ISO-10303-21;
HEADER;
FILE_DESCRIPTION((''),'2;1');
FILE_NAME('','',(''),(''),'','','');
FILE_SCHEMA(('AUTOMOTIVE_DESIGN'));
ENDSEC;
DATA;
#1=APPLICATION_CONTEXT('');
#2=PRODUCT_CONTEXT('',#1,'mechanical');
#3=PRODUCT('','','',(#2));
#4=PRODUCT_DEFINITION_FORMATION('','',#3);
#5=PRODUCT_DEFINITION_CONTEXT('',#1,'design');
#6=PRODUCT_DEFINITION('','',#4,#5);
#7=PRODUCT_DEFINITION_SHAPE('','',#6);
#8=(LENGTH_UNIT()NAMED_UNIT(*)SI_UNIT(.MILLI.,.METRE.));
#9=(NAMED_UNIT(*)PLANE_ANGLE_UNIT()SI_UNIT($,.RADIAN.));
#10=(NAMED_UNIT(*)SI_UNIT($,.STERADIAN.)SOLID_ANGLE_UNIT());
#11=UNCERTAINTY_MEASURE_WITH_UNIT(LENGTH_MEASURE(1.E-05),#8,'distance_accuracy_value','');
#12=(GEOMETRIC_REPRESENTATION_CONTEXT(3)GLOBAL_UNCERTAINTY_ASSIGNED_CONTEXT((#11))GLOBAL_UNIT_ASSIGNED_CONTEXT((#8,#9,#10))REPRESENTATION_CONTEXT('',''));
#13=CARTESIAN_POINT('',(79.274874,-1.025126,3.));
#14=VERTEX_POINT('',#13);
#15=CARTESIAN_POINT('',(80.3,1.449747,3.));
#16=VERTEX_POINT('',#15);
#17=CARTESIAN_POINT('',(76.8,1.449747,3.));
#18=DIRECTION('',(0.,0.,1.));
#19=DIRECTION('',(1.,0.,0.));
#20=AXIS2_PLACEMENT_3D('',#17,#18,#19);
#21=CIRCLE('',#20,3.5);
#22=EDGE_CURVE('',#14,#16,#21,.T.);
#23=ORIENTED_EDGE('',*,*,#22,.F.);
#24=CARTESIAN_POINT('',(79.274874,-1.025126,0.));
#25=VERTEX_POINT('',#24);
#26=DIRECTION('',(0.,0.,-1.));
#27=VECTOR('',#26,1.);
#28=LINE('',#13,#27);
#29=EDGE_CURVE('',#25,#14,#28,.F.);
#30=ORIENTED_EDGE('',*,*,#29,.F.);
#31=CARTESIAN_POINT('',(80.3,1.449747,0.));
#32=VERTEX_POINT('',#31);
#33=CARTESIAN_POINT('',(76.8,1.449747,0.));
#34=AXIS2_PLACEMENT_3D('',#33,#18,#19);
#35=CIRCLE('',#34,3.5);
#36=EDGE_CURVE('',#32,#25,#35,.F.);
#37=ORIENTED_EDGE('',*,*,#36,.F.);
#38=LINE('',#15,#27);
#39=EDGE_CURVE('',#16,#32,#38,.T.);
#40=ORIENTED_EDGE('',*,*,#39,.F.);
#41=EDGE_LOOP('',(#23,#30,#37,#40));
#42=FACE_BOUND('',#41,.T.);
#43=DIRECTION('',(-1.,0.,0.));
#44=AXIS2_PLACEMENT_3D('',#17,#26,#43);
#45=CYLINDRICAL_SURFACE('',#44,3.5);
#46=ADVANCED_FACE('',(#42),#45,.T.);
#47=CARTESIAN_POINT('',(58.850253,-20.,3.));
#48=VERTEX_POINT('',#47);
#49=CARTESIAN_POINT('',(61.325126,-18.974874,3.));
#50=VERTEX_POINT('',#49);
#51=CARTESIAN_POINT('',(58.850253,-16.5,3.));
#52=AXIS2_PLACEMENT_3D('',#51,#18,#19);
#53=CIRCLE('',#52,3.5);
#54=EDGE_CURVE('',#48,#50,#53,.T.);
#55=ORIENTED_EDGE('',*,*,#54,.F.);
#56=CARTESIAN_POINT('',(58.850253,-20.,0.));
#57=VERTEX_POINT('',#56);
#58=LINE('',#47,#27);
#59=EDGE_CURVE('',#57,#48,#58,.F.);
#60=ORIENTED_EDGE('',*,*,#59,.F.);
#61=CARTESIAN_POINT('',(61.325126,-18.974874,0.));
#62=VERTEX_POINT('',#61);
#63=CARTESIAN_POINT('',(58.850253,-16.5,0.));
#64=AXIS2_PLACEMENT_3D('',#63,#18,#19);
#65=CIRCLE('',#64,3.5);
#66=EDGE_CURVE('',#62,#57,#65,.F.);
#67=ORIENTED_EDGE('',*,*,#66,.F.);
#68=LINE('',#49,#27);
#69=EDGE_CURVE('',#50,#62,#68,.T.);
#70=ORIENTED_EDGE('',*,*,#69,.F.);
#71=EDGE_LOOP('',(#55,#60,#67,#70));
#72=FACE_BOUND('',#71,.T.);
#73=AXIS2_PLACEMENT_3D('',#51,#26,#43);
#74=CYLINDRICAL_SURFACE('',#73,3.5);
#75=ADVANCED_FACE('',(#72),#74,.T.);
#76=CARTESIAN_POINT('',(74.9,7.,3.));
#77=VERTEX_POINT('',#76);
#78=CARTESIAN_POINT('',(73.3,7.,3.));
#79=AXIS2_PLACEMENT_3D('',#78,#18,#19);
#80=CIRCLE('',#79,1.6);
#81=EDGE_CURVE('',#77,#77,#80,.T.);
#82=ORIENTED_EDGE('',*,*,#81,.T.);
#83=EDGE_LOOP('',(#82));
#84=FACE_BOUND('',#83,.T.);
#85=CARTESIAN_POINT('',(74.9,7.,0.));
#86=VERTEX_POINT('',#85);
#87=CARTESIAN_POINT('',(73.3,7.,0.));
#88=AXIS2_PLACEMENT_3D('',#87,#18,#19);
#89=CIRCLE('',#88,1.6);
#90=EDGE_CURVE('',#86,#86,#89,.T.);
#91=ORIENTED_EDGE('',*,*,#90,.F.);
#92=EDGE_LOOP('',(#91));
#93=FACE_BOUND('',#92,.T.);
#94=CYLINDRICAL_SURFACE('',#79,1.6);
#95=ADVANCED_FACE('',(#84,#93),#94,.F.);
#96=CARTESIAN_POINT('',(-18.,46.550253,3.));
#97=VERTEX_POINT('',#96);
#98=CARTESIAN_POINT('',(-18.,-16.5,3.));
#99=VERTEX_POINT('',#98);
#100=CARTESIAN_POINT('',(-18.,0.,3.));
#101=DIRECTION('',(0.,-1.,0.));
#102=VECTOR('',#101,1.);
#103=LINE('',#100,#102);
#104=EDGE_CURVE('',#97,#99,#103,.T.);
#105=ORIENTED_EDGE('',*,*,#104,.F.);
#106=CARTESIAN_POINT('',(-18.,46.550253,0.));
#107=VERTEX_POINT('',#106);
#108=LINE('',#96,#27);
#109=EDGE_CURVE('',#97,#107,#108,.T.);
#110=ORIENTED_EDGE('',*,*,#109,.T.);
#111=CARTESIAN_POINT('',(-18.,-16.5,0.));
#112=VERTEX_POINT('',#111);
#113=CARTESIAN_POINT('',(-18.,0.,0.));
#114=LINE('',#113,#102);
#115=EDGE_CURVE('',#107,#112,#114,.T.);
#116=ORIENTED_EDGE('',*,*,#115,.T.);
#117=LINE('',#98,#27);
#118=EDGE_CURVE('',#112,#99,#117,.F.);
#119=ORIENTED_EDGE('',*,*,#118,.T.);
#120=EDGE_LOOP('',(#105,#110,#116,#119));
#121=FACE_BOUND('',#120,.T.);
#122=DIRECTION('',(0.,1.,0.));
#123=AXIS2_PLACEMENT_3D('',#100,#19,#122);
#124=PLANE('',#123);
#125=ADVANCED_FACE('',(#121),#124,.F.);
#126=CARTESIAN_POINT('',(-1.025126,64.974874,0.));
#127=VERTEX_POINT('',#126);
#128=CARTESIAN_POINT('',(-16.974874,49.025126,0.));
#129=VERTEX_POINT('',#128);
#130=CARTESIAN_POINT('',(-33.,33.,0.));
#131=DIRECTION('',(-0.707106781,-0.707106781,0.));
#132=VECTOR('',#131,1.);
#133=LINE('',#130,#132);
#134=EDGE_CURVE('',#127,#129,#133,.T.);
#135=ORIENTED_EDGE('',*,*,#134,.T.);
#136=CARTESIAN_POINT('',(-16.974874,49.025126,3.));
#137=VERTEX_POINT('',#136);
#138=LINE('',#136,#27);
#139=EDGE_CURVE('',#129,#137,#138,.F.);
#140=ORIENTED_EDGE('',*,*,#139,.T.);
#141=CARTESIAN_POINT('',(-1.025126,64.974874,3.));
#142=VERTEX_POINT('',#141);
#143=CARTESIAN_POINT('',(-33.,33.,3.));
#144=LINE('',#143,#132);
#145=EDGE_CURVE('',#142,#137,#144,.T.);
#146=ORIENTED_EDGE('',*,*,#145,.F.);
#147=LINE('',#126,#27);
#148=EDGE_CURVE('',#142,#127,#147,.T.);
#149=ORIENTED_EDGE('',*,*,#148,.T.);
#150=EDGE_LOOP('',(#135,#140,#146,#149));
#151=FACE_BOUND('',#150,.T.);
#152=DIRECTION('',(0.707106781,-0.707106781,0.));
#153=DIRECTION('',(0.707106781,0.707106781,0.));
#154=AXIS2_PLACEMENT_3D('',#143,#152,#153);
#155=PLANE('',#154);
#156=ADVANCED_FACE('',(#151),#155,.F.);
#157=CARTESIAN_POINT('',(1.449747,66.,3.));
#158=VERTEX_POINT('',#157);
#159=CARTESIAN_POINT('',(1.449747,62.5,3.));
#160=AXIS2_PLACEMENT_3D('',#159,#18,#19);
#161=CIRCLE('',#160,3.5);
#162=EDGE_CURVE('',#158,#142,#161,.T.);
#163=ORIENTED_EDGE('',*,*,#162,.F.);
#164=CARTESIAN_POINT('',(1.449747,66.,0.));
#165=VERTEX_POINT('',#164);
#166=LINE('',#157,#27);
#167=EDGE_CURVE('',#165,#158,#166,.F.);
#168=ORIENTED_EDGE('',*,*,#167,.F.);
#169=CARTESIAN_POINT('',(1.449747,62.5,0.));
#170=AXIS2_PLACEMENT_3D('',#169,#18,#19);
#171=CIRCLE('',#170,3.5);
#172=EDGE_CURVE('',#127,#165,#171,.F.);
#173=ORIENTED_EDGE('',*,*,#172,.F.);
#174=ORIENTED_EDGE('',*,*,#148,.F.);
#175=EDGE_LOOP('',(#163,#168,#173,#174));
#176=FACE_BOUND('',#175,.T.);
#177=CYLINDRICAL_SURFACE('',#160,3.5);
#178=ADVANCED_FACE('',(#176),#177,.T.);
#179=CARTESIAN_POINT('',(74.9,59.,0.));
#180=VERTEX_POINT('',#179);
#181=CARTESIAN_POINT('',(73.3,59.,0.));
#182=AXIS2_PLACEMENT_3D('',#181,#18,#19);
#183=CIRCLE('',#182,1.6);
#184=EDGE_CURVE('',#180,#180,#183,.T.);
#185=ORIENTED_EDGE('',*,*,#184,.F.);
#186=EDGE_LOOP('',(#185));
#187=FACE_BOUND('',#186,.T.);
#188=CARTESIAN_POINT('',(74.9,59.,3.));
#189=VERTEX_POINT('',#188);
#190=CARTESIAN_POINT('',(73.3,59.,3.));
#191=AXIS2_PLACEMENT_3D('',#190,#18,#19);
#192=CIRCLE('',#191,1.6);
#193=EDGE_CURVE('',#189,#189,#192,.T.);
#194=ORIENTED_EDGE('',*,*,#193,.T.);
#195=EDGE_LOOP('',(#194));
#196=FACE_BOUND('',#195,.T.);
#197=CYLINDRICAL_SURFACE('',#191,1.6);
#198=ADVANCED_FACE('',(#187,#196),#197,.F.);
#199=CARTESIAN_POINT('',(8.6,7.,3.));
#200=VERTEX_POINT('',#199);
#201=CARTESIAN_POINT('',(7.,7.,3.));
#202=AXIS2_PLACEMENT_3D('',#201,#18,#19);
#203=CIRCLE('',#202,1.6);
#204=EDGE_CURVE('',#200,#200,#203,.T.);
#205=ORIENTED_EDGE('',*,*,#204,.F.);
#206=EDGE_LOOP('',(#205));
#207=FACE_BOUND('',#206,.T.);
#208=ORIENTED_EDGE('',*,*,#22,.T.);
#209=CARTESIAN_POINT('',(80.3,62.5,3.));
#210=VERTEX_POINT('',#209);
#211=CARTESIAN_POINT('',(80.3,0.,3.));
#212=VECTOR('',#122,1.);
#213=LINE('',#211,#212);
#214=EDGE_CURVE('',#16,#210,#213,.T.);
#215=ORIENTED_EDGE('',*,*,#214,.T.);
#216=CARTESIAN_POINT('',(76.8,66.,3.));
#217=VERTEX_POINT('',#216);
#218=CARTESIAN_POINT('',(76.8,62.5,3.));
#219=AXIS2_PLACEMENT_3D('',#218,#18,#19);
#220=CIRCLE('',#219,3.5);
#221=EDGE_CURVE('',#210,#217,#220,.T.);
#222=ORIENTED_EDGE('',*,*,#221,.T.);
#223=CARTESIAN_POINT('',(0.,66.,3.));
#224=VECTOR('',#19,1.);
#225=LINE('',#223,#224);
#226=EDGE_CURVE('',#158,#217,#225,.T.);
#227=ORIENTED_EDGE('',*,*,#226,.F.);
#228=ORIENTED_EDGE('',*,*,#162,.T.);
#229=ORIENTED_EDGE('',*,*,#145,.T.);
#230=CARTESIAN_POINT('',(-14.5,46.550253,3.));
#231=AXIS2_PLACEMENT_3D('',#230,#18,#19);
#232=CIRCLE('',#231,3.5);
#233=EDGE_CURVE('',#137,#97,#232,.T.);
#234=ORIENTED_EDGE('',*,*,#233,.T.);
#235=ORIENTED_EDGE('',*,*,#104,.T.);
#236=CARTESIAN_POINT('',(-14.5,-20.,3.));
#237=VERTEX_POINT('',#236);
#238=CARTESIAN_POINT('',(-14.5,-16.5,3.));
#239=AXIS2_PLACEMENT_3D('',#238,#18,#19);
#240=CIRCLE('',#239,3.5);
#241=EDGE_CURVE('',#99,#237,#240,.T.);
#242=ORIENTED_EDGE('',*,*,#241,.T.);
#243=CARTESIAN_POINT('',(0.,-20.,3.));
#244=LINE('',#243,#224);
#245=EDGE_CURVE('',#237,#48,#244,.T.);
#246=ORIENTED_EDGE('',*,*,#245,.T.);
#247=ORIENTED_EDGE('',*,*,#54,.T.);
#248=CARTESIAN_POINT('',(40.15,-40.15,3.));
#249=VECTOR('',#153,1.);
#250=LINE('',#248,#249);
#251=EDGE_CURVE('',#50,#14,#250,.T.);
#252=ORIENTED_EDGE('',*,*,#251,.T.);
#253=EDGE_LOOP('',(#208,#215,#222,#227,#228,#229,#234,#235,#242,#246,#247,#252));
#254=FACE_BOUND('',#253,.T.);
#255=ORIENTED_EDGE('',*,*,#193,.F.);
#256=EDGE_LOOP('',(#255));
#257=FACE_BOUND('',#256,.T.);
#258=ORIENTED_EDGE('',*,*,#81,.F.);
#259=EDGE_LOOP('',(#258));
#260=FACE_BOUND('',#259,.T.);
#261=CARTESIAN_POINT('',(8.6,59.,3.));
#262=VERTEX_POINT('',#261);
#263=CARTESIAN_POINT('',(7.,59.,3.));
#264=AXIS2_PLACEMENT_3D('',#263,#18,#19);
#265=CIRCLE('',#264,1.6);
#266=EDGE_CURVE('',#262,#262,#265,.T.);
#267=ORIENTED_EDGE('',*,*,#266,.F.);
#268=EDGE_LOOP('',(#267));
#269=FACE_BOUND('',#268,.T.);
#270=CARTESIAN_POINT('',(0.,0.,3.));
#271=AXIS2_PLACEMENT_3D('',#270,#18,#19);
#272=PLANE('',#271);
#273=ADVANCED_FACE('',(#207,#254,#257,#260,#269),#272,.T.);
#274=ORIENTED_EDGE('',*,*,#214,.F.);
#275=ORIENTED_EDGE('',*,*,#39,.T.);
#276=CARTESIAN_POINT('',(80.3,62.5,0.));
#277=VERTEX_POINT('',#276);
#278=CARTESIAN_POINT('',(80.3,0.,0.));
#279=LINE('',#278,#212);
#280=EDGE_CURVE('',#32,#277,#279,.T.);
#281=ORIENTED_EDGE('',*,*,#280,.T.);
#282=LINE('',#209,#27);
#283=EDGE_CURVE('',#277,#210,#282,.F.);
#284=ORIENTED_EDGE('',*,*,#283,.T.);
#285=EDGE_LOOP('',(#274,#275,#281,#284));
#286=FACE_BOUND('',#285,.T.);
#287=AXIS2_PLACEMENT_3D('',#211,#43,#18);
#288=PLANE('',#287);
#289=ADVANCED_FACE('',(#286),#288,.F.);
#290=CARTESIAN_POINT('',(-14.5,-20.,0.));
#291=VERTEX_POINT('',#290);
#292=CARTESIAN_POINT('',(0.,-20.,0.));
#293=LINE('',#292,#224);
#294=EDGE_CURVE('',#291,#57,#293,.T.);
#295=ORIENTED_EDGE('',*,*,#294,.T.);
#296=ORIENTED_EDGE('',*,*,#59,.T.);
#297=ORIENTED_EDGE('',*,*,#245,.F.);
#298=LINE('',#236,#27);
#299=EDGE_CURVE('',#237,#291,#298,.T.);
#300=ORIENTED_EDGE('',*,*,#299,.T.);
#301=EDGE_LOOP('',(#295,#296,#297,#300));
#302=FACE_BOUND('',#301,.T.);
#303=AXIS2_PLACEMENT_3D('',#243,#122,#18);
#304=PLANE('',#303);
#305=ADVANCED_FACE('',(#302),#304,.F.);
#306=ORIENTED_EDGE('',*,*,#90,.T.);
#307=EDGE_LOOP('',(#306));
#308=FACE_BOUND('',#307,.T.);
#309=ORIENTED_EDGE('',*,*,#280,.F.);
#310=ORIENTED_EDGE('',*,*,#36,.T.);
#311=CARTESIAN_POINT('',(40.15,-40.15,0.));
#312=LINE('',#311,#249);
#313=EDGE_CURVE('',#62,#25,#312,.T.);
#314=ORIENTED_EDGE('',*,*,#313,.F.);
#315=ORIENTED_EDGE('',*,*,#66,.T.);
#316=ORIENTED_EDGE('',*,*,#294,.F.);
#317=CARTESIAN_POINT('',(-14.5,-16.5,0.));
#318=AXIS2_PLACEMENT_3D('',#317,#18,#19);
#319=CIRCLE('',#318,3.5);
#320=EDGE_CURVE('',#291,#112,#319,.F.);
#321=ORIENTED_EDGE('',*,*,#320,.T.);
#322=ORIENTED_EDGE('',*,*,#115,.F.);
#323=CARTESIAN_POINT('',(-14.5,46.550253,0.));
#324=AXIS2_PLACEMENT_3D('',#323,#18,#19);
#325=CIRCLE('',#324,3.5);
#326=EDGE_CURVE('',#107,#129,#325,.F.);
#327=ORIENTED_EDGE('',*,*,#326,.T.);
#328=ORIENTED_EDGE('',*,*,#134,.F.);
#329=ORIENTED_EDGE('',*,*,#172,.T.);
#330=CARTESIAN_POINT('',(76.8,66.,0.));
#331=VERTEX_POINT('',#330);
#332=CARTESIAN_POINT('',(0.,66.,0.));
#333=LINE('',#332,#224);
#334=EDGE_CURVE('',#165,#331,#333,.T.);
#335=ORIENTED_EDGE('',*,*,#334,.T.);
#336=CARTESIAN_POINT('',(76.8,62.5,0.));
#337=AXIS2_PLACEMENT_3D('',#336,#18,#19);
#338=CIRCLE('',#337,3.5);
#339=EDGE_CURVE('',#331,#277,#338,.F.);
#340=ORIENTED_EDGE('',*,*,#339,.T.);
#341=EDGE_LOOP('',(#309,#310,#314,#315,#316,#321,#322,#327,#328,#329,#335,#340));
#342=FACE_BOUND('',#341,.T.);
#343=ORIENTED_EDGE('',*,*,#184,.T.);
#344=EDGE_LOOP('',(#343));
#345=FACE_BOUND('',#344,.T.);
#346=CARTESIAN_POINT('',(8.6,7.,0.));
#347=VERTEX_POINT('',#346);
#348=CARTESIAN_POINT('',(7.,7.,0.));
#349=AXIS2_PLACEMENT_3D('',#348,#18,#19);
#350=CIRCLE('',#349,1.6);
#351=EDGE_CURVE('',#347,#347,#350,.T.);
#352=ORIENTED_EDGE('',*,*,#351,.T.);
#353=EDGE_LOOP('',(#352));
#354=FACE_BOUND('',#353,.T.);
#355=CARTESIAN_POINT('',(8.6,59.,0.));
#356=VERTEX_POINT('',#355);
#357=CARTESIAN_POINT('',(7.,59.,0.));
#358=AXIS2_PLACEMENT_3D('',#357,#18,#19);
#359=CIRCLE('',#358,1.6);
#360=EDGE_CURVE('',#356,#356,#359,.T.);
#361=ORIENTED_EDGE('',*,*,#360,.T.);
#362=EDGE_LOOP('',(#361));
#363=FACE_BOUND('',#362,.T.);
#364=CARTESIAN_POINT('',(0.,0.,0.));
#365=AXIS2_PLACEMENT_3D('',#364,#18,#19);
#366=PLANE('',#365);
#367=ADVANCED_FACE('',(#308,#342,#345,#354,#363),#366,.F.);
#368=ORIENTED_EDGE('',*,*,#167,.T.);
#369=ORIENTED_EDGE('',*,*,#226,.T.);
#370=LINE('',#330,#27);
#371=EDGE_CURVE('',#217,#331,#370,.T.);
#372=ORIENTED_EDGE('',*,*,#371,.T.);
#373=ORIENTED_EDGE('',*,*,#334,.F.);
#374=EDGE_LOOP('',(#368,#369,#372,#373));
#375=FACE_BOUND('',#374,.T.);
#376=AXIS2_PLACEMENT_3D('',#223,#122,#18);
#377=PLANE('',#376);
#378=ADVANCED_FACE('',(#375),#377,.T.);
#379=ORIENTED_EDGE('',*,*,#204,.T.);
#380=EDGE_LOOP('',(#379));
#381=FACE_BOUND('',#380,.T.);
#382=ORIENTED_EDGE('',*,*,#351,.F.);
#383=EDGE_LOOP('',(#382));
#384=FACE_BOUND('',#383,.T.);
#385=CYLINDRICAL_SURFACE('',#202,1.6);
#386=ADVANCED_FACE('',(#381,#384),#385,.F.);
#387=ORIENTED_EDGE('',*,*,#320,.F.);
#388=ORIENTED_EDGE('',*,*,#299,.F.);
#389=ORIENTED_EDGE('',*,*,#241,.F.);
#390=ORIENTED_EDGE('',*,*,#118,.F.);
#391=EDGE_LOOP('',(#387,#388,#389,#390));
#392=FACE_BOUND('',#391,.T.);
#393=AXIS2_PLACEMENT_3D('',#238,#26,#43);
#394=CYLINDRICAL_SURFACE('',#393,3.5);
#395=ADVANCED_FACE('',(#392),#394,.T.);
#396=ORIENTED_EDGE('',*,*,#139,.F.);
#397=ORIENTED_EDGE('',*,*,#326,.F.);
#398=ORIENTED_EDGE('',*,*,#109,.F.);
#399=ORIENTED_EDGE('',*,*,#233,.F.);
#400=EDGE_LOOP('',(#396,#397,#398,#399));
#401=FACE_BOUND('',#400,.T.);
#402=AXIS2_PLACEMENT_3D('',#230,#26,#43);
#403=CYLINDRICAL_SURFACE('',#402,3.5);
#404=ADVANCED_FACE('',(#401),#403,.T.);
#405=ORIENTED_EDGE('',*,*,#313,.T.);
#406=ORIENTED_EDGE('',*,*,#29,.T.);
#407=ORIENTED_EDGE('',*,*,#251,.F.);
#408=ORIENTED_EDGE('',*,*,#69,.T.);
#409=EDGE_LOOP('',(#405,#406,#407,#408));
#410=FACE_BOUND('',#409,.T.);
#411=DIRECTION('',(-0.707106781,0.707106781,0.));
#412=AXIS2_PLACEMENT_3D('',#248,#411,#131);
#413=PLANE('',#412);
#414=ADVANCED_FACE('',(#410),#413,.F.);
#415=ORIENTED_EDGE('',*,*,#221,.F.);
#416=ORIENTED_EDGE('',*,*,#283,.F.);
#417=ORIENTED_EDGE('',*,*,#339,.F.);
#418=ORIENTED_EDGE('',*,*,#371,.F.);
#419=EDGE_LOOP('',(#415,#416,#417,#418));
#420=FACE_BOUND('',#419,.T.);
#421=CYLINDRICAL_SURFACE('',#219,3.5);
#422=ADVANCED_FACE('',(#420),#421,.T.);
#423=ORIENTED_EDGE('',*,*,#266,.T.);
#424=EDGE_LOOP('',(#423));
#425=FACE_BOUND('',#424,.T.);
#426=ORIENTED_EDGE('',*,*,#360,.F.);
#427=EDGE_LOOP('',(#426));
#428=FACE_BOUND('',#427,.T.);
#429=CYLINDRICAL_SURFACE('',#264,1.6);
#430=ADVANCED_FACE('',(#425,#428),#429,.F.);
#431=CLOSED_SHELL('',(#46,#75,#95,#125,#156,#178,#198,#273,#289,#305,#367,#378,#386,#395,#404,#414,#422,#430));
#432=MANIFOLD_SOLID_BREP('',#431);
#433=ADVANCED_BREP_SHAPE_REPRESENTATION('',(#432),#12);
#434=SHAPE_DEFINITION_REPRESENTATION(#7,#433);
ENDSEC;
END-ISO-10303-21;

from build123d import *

# Parameters (mm, degrees)
SKETCH1_W                  = 80.3
SKETCH1_H                  = 66
BOSS_EXTRUDE1_DEPTH        = 3
FILLET1_R                  = 3.5
F_3_2_3_2_DIAMETER_HOLE1_D = 3.2


with BuildPart() as part:
    # Sketch1 → Boss-Extrude1 (new body)
    with BuildSketch(Plane.XY):
        Polygon((-18, -20), (60.3, -20), (80.3, 0), (0, 0), (0, 66), (-18, 48), align=None)
        with Locations((40.15, 33)):
            Rectangle(SKETCH1_W, SKETCH1_H)
    extrude(amount=BOSS_EXTRUDE1_DEPTH)

    # Fillet1
    fillet1_edges = [part.edges().sort_by_distance(p)[0] for p in [
        (60.3, -20, 1.5),
        (-18, -20, 1.5),
        (-18, 48, 1.5),
        (0, 66, 1.5),
        (80.3, 66, 1.5),
        (80.3, 0, 1.5),
    ]]
    fillet(fillet1_edges, radius=FILLET1_R)

    # Ø3.2 (3.2) Diameter Hole1 (through all)
    with Locations(Plane.XY.offset(3)):
        with Locations((7, 59), (73.3, 59), (73.3, 7), (7, 7)):
            Hole(F_3_2_3_2_DIAMETER_HOLE1_D / 2)


solid = part.part
